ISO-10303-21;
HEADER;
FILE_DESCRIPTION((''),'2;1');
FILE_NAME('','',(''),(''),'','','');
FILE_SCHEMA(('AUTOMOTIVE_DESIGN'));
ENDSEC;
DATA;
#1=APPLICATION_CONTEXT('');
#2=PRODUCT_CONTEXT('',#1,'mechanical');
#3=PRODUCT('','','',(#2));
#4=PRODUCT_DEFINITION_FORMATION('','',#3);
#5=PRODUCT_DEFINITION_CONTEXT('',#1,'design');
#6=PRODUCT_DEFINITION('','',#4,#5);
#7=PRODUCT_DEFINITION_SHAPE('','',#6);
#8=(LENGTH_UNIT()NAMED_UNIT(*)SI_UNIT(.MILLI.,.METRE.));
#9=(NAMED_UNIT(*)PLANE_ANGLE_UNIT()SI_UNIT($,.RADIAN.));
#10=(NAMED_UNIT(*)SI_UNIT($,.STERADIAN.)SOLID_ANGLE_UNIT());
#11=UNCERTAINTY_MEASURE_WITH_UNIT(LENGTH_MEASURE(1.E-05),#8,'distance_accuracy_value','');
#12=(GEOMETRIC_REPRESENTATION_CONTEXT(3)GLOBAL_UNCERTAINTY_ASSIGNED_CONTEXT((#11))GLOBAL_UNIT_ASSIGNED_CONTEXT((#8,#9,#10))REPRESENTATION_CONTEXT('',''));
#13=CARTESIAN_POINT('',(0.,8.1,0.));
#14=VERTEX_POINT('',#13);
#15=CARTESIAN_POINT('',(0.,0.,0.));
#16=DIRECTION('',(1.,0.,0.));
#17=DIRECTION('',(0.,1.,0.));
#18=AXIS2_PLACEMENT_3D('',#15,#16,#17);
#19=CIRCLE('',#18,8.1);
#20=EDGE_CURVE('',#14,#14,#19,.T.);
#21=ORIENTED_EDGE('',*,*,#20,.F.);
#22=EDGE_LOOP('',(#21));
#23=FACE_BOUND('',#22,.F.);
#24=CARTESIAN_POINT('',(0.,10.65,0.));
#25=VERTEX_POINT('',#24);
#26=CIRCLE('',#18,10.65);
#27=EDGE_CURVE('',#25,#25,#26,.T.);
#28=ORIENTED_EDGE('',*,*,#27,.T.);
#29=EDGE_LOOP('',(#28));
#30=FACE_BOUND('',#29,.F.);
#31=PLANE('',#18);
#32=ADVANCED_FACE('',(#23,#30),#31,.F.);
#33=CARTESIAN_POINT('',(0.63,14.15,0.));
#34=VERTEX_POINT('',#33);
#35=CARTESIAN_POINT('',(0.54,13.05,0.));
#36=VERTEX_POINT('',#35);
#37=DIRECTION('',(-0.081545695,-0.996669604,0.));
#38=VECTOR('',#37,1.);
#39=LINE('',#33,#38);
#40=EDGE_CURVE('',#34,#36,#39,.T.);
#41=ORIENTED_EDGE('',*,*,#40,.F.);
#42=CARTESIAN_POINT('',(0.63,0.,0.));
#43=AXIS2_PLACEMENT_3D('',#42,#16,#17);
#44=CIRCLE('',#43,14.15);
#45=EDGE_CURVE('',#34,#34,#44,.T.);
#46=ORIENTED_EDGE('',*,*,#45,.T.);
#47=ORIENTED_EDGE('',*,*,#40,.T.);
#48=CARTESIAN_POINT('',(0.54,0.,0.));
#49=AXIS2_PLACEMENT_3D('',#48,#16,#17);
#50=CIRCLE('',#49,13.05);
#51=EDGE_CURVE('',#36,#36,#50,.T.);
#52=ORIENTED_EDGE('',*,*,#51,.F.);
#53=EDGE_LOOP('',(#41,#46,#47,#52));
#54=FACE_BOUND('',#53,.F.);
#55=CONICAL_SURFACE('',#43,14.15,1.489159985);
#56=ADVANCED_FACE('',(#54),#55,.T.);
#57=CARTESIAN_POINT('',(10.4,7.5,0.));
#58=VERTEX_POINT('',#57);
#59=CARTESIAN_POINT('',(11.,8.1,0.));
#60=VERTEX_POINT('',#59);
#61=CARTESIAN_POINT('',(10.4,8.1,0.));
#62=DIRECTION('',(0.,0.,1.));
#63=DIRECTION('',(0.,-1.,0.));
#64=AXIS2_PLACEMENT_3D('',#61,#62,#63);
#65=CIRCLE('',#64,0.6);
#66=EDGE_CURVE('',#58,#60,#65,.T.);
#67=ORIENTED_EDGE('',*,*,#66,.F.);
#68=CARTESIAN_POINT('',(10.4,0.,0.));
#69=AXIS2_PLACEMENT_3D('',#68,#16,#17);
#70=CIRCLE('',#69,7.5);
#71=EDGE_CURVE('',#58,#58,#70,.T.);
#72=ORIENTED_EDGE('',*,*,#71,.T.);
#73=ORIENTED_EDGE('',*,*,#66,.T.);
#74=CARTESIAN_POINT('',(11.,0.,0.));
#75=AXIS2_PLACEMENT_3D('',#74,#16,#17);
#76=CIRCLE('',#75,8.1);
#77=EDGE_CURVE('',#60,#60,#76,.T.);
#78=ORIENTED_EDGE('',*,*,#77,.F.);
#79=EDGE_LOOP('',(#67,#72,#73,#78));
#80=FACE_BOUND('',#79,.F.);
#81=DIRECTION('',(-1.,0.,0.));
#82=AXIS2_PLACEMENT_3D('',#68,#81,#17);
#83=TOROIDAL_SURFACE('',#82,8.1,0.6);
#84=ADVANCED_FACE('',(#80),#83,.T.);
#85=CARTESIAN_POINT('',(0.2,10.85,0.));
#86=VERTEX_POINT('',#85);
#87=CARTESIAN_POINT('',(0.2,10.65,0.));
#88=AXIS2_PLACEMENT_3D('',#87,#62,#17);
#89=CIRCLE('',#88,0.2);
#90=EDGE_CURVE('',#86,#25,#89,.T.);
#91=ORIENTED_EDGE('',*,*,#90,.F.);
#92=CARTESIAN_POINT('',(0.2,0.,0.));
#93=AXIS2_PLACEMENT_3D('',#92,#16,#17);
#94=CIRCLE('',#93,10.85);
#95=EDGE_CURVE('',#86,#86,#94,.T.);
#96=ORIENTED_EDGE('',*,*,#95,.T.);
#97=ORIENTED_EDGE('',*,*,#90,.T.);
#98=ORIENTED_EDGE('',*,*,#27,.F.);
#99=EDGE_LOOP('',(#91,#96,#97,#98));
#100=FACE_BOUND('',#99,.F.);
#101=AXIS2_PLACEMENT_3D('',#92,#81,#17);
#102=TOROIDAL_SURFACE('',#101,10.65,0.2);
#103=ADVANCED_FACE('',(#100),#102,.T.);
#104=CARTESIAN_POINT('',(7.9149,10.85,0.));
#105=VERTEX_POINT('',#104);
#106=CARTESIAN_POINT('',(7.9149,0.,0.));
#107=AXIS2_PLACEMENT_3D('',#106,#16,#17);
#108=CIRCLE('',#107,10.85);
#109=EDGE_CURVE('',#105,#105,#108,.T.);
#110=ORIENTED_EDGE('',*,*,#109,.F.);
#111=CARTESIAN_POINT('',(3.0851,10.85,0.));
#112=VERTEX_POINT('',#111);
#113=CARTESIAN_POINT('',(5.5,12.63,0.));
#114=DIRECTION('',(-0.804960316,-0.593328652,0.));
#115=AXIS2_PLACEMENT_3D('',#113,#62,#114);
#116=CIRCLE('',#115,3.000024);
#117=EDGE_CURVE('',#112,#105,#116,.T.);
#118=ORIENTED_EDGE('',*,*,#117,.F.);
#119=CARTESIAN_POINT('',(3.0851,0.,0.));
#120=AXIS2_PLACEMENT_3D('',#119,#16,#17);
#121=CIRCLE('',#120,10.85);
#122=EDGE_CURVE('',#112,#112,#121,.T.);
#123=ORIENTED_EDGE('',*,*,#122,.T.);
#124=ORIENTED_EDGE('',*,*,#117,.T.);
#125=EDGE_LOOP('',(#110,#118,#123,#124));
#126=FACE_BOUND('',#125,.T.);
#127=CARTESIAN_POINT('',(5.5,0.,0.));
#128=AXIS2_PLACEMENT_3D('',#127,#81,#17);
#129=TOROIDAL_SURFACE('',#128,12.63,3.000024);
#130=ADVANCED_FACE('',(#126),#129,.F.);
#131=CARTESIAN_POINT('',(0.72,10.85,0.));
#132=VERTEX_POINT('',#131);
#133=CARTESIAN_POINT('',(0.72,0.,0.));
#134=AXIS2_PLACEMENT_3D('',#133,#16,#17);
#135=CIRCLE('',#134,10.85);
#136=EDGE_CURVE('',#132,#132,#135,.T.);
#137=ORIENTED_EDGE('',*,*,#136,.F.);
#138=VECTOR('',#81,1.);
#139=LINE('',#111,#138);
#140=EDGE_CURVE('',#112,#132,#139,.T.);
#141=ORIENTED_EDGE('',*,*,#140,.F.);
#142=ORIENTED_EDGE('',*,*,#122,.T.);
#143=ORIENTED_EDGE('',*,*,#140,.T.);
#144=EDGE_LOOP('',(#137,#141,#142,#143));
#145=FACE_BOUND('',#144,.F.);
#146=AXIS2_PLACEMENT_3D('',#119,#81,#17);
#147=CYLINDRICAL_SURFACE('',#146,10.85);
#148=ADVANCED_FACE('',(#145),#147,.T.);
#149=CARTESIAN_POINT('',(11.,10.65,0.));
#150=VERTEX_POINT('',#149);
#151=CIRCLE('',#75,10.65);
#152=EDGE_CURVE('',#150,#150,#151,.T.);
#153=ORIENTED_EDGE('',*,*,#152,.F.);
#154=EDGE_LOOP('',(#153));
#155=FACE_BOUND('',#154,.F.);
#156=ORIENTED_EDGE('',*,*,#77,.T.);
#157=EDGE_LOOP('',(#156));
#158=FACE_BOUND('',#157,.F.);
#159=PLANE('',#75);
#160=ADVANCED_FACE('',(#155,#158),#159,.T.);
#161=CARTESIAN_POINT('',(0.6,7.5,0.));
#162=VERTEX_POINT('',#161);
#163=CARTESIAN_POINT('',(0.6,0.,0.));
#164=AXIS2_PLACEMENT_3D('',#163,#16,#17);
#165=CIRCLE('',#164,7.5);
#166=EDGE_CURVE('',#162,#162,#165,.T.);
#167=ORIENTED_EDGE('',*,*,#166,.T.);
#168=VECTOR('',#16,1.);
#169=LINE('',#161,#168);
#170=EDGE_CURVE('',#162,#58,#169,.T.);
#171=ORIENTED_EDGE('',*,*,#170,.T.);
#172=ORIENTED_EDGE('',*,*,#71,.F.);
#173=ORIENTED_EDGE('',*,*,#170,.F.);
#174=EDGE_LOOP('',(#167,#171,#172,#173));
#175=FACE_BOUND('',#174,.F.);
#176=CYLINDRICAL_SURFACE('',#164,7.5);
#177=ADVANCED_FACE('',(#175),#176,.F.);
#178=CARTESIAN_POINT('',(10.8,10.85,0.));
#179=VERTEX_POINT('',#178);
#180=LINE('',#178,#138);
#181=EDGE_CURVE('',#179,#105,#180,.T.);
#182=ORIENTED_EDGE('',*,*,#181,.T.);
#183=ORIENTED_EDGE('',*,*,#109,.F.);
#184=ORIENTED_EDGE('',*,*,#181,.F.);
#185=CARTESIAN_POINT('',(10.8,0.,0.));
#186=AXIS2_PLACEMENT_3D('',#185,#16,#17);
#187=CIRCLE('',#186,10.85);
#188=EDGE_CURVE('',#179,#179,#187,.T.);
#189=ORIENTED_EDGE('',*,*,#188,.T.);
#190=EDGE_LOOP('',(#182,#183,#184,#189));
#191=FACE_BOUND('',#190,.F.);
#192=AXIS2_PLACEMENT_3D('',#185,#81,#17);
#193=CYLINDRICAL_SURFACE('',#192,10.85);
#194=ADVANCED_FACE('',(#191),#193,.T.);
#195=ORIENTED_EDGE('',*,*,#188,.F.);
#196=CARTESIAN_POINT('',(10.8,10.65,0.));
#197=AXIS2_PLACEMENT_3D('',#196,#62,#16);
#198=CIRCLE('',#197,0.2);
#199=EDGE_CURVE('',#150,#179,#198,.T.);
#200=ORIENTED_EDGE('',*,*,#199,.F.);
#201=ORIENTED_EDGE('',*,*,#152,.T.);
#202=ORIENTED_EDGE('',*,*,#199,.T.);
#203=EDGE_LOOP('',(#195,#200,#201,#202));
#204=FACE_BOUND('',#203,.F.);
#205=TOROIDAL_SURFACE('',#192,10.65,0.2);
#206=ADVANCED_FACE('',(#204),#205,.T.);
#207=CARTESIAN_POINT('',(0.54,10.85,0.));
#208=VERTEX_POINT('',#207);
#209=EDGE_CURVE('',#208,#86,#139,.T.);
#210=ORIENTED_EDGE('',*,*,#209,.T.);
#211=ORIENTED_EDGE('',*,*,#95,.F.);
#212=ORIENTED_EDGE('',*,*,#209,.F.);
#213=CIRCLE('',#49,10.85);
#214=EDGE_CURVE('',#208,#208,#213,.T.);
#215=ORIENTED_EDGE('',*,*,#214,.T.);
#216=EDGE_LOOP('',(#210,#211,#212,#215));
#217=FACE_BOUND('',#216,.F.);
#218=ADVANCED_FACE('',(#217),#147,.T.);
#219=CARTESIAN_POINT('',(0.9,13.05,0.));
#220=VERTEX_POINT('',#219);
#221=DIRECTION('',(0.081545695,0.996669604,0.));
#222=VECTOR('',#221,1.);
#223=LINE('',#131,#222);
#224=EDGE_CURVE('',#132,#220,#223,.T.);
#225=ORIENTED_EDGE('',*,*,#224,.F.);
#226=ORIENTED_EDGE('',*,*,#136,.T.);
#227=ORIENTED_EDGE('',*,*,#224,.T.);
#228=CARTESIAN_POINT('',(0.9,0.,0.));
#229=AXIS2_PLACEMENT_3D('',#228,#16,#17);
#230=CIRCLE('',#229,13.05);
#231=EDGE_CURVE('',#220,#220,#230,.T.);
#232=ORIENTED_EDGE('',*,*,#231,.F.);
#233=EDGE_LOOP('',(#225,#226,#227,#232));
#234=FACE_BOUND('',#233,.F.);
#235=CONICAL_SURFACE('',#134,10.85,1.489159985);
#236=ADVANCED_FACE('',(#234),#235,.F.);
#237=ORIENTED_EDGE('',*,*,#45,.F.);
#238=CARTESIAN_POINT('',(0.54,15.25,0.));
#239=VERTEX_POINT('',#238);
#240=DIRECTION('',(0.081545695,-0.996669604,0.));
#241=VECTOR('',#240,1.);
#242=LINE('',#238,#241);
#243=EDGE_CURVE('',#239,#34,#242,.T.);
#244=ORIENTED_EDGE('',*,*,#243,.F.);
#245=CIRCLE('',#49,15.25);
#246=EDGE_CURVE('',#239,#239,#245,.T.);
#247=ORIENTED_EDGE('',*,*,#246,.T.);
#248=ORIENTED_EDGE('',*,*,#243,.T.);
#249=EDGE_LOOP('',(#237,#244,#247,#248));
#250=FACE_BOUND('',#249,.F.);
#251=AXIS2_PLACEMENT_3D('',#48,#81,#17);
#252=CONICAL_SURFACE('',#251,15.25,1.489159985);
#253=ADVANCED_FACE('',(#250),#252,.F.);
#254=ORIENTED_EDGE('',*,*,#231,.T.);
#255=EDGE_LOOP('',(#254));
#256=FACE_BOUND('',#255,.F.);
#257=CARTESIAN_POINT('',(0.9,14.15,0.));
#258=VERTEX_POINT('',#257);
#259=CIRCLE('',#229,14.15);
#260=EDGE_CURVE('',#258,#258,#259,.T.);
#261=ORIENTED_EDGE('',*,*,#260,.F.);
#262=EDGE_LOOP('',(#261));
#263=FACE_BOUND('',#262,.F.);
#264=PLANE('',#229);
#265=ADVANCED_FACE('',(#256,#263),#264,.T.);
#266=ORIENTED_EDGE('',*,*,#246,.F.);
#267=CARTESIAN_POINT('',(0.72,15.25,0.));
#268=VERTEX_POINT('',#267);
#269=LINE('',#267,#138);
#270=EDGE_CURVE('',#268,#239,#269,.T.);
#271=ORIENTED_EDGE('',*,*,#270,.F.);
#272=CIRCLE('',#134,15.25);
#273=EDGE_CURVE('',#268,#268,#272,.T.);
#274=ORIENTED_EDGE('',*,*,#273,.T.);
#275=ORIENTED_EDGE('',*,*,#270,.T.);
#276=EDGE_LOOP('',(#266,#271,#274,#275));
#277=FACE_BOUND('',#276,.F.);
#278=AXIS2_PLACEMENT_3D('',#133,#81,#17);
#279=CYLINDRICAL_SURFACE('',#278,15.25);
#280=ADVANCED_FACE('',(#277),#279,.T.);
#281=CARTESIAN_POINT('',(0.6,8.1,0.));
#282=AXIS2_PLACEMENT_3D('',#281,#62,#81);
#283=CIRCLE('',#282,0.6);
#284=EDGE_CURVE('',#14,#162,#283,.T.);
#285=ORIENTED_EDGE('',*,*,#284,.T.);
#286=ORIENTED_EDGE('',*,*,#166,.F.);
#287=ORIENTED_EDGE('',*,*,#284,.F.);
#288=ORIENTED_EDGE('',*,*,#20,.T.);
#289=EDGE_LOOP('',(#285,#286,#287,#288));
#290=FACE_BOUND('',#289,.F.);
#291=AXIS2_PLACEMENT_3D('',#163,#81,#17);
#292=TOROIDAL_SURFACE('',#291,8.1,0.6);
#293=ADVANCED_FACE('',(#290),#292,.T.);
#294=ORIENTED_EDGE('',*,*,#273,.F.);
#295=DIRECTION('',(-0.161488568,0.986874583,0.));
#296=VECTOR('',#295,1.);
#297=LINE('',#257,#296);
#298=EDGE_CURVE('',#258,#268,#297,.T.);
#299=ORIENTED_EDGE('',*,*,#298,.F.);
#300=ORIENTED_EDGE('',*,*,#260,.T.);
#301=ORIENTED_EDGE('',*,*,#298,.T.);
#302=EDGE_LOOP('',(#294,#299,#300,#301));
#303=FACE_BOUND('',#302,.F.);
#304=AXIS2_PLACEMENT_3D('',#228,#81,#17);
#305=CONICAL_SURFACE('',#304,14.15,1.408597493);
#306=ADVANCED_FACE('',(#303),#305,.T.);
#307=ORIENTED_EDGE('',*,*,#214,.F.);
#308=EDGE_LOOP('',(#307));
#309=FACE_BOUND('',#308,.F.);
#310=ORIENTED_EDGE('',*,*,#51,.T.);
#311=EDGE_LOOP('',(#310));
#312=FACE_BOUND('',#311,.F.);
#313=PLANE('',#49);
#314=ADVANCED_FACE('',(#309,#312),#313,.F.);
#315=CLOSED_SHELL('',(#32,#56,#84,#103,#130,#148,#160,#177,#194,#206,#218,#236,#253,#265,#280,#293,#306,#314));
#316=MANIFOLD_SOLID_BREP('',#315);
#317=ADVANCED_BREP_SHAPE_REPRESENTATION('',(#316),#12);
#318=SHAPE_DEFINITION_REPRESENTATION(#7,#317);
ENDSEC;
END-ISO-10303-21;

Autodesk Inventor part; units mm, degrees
ref_plane "YZ Plane" through (0, 0, 0) normal (1, 0, 0) x (0, 1, 0)
ref_plane "XZ Plane" through (0, 0, 0) normal (0, 1, 0) x (-1, 0, 0)
ref_plane "XY Plane" through (0, 0, 0) normal (0, 0, 1) x (1, 0, 0)
sketch "Sketch_62" plane through (0, 0, 0) normal (0, 0, 1) x (1, 0, 0)
  line L0 (50, 0) -> (-50, 0)
  line L1 (0, 10.65) -> (0, 8.1)
  arc A0 (0, 8.1) -> (0.6, 7.5) centre (0.6, 8.1) ccw
  line L2 (0.6, 7.5) -> (10.4, 7.5)
  arc A1 (10.4, 7.5) -> (11, 8.1) centre (10.4, 8.1) ccw
  line L3 (11, 8.1) -> (11, 10.65)
  arc A2 (11, 10.65) -> (10.8, 10.85) centre (10.8, 10.65) ccw
  line L4 (10.8, 10.85) -> (7.9149, 10.85)
  arc A3 (3.0851, 10.85) -> (7.9149, 10.85) centre (5.5, 12.63) ccw
  line L5 (3.0851, 10.85) -> (0.2, 10.85)
  arc A4 (0.2, 10.85) -> (0, 10.65) centre (0.2, 10.65) ccw
revolve "Revolution1" add sketch "Sketch_62" angle 360 about axis through (50, 0, 0) along (1, 0, 0)
sketch "Sketch_63" plane through (0, 0, 0) normal (0, 0, 1) x (1, 0, 0)
  line L0 (50, 0) -> (-50, 0)
  line L1 (0.54, 15.25) -> (0.63, 14.15)
  line L2 (0.63, 14.15) -> (0.54, 13.05)
  line L3 (0.54, 13.05) -> (0.54, 10.85)
  line L4 (0.54, 10.85) -> (0.72, 10.85)
  line L5 (0.72, 10.85) -> (0.9, 13.05)
  line L6 (0.9, 13.05) -> (0.9, 14.15)
  line L7 (0.9, 14.15) -> (0.72, 15.25)
  line L8 (0.72, 15.25) -> (0.54, 15.25)
revolve "Revolution2" add sketch "Sketch_63" angle 360 about axis through (50, 0, 0) along (1, 0, 0)
properties part number "6202-Z_PART1"
